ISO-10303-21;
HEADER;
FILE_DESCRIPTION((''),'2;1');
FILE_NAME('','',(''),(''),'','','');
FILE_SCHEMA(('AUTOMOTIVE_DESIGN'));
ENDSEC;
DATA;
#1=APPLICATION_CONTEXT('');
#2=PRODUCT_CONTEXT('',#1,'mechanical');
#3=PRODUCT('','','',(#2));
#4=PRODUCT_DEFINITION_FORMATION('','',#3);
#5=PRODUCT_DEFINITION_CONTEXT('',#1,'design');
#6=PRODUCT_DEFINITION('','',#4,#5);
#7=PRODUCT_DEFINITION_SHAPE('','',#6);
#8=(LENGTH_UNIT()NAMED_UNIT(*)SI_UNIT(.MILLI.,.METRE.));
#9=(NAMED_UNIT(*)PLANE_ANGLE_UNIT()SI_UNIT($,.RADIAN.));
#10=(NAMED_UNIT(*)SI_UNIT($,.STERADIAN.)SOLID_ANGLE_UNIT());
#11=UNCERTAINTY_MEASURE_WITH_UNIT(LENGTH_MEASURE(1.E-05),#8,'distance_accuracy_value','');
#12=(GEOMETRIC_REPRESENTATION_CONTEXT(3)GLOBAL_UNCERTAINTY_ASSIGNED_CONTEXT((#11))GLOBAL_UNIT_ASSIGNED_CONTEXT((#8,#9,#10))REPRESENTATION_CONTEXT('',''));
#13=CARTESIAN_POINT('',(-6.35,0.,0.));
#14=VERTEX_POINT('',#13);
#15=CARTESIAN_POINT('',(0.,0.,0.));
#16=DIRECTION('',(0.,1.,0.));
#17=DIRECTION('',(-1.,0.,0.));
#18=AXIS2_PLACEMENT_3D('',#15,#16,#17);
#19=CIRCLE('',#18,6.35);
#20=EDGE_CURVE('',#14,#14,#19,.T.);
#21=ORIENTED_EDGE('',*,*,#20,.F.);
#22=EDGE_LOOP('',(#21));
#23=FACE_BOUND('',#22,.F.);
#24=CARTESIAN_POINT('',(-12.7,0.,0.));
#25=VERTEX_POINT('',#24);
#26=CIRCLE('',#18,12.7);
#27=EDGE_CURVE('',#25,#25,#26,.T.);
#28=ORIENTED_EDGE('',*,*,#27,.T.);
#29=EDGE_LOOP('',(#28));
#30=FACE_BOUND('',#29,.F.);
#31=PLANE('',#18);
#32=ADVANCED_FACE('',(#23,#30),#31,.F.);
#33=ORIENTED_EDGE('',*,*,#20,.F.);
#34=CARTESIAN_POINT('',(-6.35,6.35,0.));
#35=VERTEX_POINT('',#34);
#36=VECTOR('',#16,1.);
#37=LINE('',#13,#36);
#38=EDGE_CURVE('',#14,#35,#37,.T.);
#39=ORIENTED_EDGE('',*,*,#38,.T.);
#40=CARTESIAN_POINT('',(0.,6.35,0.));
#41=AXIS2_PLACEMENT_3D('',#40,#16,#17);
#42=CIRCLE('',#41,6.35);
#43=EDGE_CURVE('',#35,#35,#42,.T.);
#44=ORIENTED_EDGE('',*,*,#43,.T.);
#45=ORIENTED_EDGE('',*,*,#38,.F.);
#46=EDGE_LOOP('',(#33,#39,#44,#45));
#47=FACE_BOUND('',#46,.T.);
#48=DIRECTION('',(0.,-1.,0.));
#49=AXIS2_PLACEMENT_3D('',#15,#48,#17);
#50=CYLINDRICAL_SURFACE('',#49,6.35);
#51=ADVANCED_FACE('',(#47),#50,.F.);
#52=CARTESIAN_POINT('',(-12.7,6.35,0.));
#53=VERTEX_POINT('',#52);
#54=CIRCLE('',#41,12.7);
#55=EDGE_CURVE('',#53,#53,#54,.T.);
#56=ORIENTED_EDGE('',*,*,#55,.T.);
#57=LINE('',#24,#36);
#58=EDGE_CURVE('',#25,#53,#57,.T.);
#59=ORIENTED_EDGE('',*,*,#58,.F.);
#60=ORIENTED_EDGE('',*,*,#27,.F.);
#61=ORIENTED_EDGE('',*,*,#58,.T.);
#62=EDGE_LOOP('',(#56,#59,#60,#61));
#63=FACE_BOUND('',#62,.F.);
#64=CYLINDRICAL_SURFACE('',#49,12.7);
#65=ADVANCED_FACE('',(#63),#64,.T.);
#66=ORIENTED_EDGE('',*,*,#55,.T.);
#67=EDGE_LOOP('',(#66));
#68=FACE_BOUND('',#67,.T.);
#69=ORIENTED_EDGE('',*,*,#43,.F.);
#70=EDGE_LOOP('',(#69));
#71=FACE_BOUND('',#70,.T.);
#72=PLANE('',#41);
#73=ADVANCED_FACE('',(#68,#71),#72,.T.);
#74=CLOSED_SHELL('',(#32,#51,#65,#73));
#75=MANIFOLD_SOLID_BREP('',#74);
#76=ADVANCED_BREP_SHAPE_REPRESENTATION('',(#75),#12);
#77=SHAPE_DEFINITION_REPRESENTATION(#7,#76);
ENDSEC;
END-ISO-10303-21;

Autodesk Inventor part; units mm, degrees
ref_plane "YZ Plane" through (0, 0, 0) normal (1, 0, 0) x (0, 1, 0)
ref_plane "XZ Plane" through (0, 0, 0) normal (0, 1, 0) x (-1, 0, 0)
ref_plane "XY Plane" through (0, 0, 0) normal (0, 0, 1) x (1, 0, 0)
sketch "Sketch1" plane through (0, 0, 0) normal (0, 1, 0) x (-1, 0, 0)
  circle A0 centre (0, 0) radius 6.35
  circle A1 centre (0, 0) radius 12.7
  dimension "d0" = 12.7
  dimension "d1" = 25.4
extrude "Extrusion1" add sketch "Sketch1" along normal blind 6.35
properties part number "shaftcollar" material "Aluminum 6061"
